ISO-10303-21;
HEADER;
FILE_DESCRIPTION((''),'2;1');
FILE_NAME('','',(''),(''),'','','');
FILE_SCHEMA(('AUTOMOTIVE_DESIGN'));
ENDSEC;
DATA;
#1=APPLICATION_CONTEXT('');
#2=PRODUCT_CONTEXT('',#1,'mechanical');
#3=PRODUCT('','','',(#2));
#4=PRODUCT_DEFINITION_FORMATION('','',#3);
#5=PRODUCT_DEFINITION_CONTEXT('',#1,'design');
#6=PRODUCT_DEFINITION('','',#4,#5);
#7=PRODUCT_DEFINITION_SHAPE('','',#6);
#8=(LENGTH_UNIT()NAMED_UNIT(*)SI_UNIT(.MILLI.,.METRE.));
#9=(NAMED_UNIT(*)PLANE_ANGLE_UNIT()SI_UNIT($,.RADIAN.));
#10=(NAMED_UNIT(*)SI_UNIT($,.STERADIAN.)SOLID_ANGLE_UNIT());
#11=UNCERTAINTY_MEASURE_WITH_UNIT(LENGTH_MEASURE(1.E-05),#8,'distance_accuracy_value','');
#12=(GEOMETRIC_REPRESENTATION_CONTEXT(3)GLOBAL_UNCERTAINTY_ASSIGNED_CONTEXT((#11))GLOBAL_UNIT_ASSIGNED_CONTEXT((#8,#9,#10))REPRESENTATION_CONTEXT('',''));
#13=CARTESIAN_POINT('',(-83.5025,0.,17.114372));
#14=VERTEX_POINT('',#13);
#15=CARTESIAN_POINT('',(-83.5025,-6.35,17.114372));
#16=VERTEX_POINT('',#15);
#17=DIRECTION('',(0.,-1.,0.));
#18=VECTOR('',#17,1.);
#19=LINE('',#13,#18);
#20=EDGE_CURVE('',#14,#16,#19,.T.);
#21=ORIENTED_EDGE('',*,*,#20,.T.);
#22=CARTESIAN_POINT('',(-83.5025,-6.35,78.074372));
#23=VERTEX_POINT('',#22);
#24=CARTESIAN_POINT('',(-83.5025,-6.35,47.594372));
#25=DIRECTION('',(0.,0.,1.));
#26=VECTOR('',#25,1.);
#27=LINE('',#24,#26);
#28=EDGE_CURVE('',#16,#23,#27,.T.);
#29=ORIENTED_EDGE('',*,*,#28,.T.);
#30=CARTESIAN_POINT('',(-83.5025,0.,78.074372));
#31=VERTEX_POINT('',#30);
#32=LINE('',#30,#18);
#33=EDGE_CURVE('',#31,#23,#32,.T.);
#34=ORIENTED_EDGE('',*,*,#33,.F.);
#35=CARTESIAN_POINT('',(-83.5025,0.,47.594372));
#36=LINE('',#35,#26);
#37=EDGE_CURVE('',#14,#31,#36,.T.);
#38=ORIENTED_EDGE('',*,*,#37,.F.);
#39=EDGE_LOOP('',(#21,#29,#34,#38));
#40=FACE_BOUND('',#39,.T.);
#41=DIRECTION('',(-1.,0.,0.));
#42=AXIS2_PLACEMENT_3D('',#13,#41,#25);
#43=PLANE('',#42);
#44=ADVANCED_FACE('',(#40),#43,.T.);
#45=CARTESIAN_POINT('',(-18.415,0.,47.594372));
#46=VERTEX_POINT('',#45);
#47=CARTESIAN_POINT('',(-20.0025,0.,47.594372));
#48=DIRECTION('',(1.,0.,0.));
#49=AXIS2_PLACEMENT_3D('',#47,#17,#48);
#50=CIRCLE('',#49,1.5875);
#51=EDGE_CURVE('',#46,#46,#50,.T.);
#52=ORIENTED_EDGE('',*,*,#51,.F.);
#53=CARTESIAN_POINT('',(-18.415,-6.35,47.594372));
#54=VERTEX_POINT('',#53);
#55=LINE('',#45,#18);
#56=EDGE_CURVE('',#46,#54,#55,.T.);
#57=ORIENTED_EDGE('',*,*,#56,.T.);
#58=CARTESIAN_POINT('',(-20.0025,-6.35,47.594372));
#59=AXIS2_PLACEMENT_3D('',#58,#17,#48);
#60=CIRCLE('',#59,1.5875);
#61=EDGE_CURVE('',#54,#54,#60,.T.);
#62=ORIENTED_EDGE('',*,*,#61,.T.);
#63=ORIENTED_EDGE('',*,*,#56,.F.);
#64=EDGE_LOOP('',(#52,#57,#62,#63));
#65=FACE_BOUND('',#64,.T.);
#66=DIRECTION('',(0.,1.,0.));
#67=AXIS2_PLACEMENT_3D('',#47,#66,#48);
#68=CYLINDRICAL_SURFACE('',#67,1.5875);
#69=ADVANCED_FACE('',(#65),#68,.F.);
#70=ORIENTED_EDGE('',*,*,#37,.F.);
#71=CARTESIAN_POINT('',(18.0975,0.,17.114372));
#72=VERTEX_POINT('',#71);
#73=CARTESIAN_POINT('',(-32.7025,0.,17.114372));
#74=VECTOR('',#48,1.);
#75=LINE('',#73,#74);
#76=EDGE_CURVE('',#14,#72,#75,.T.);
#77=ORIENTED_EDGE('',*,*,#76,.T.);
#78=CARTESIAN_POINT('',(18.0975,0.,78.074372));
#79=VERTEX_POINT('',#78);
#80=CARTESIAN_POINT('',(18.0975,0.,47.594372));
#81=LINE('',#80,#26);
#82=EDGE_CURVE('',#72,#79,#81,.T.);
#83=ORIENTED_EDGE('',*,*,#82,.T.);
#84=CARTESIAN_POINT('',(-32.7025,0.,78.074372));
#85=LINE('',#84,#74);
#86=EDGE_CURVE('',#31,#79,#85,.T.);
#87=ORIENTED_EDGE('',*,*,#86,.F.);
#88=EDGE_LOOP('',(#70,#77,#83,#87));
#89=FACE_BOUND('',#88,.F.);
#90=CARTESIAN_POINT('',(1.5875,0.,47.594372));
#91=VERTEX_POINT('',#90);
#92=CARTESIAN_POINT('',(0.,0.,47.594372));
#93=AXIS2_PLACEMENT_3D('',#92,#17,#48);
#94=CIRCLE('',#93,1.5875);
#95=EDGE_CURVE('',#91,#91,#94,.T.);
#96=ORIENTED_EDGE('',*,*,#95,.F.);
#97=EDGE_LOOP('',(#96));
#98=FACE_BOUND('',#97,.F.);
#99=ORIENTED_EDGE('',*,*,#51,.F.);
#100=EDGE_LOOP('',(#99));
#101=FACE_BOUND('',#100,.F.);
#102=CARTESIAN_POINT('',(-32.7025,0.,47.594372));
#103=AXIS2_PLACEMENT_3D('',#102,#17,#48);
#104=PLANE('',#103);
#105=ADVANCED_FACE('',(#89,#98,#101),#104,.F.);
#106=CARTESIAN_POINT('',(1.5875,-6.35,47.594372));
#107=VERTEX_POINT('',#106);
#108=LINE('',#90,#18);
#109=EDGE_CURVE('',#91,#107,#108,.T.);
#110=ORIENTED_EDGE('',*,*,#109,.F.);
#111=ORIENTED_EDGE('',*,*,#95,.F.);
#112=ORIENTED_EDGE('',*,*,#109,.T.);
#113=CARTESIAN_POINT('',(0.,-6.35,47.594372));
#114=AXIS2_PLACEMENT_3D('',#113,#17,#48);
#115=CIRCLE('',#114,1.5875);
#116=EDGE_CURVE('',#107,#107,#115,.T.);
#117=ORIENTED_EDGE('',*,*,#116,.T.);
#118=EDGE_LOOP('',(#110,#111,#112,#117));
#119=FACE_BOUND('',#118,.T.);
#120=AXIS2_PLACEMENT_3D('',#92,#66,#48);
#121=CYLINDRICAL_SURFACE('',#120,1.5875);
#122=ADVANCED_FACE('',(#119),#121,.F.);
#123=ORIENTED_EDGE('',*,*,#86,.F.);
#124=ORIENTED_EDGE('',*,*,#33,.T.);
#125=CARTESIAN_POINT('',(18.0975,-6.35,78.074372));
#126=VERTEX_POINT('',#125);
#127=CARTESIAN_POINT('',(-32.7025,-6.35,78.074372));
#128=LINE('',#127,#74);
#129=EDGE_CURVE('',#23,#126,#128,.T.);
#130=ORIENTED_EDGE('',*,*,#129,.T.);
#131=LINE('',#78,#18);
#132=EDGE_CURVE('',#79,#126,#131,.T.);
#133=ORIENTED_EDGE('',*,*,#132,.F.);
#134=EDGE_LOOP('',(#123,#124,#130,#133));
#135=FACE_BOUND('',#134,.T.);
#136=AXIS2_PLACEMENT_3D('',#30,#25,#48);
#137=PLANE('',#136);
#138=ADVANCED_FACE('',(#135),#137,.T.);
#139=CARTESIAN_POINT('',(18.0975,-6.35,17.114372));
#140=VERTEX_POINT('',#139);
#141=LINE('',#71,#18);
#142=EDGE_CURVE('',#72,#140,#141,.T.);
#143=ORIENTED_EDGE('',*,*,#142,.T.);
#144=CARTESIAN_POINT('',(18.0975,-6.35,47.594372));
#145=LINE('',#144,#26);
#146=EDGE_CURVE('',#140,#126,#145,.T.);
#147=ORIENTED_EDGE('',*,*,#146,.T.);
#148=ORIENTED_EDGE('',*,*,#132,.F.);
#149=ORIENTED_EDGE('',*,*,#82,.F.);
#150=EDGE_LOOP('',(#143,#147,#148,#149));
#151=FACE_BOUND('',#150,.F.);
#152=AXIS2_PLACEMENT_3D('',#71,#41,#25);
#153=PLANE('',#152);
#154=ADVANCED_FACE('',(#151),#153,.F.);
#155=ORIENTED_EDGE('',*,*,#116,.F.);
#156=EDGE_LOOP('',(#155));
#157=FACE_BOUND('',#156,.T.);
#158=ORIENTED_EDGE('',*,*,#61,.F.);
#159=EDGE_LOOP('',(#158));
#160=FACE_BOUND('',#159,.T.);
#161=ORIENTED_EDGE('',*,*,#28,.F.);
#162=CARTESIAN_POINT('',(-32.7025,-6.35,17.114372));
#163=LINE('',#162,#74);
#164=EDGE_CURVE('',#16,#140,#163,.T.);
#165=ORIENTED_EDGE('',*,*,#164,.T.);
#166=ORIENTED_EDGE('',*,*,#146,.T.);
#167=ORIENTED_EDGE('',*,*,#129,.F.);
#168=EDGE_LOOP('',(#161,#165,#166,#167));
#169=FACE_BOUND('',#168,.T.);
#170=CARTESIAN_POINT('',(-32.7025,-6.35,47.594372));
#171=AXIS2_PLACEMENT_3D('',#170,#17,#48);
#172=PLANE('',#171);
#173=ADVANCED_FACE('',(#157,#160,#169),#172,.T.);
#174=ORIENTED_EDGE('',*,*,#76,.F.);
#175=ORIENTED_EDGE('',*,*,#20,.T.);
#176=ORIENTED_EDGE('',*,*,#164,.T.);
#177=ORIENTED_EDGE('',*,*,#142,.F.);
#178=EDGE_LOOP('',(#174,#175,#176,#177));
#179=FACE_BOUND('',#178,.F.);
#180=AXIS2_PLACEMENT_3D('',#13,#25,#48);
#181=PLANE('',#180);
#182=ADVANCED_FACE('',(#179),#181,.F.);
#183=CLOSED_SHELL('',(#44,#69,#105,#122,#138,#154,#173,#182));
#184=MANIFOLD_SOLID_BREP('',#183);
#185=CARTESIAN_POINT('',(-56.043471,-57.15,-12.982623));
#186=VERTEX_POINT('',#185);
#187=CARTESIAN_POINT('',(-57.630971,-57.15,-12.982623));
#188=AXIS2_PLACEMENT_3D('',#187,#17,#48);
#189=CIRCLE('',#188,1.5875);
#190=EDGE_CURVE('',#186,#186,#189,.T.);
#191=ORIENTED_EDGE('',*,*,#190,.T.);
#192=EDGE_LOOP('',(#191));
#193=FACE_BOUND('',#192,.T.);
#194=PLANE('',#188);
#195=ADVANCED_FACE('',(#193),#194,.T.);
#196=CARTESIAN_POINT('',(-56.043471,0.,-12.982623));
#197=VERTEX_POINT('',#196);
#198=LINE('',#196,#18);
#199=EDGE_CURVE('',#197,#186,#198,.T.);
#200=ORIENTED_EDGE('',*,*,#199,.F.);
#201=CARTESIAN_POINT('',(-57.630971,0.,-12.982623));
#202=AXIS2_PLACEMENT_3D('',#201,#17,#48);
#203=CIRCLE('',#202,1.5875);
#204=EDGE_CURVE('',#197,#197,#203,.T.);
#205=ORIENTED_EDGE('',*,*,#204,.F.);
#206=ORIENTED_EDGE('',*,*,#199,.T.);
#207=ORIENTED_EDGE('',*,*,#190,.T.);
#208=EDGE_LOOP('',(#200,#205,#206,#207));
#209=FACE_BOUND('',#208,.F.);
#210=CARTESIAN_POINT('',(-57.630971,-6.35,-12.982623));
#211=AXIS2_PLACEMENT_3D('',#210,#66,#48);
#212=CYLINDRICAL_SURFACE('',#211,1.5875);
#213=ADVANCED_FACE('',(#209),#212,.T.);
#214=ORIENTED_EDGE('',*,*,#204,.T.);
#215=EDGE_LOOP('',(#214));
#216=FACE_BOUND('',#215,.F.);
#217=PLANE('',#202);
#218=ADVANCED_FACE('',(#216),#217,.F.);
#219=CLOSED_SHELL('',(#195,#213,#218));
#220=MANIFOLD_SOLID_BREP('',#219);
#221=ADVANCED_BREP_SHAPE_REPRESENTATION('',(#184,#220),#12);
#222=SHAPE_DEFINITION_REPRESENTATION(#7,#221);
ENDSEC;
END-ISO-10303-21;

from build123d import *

# Parameters (mm, degrees)
F0_W      = 101.6
F0_H      = 60.96
F0_R      = 1.5875
F1_DEPTH  = 6.35
F1_FACE_R = 1.5875
F2_DEPTH  = 50.8


with BuildPart() as f1:
    # F0 (on Front) → F1 (new body)
    with BuildSketch(Plane.XZ):
        with Locations((-32.7025, 47.594372)):
            Rectangle(F0_W, F0_H)
        with Locations((-20.0025, 47.594372)):
            Circle(F0_R, mode=Mode.SUBTRACT)
        with Locations((0, 47.594372)):
            Circle(F0_R, mode=Mode.SUBTRACT)
        with Locations((-57.630971, -12.982623)):
            Circle(F0_R)
    extrude(amount=F1_DEPTH)

    # F1_face (on face) → F2 (join)
    with BuildSketch(Plane(origin=(-57.630971, -6.35, -12.982623), x_dir=(1, 0, 0), z_dir=(0, -1, 0))):
        Circle(F1_FACE_R)
    extrude(amount=F2_DEPTH)


solid = f1.part
